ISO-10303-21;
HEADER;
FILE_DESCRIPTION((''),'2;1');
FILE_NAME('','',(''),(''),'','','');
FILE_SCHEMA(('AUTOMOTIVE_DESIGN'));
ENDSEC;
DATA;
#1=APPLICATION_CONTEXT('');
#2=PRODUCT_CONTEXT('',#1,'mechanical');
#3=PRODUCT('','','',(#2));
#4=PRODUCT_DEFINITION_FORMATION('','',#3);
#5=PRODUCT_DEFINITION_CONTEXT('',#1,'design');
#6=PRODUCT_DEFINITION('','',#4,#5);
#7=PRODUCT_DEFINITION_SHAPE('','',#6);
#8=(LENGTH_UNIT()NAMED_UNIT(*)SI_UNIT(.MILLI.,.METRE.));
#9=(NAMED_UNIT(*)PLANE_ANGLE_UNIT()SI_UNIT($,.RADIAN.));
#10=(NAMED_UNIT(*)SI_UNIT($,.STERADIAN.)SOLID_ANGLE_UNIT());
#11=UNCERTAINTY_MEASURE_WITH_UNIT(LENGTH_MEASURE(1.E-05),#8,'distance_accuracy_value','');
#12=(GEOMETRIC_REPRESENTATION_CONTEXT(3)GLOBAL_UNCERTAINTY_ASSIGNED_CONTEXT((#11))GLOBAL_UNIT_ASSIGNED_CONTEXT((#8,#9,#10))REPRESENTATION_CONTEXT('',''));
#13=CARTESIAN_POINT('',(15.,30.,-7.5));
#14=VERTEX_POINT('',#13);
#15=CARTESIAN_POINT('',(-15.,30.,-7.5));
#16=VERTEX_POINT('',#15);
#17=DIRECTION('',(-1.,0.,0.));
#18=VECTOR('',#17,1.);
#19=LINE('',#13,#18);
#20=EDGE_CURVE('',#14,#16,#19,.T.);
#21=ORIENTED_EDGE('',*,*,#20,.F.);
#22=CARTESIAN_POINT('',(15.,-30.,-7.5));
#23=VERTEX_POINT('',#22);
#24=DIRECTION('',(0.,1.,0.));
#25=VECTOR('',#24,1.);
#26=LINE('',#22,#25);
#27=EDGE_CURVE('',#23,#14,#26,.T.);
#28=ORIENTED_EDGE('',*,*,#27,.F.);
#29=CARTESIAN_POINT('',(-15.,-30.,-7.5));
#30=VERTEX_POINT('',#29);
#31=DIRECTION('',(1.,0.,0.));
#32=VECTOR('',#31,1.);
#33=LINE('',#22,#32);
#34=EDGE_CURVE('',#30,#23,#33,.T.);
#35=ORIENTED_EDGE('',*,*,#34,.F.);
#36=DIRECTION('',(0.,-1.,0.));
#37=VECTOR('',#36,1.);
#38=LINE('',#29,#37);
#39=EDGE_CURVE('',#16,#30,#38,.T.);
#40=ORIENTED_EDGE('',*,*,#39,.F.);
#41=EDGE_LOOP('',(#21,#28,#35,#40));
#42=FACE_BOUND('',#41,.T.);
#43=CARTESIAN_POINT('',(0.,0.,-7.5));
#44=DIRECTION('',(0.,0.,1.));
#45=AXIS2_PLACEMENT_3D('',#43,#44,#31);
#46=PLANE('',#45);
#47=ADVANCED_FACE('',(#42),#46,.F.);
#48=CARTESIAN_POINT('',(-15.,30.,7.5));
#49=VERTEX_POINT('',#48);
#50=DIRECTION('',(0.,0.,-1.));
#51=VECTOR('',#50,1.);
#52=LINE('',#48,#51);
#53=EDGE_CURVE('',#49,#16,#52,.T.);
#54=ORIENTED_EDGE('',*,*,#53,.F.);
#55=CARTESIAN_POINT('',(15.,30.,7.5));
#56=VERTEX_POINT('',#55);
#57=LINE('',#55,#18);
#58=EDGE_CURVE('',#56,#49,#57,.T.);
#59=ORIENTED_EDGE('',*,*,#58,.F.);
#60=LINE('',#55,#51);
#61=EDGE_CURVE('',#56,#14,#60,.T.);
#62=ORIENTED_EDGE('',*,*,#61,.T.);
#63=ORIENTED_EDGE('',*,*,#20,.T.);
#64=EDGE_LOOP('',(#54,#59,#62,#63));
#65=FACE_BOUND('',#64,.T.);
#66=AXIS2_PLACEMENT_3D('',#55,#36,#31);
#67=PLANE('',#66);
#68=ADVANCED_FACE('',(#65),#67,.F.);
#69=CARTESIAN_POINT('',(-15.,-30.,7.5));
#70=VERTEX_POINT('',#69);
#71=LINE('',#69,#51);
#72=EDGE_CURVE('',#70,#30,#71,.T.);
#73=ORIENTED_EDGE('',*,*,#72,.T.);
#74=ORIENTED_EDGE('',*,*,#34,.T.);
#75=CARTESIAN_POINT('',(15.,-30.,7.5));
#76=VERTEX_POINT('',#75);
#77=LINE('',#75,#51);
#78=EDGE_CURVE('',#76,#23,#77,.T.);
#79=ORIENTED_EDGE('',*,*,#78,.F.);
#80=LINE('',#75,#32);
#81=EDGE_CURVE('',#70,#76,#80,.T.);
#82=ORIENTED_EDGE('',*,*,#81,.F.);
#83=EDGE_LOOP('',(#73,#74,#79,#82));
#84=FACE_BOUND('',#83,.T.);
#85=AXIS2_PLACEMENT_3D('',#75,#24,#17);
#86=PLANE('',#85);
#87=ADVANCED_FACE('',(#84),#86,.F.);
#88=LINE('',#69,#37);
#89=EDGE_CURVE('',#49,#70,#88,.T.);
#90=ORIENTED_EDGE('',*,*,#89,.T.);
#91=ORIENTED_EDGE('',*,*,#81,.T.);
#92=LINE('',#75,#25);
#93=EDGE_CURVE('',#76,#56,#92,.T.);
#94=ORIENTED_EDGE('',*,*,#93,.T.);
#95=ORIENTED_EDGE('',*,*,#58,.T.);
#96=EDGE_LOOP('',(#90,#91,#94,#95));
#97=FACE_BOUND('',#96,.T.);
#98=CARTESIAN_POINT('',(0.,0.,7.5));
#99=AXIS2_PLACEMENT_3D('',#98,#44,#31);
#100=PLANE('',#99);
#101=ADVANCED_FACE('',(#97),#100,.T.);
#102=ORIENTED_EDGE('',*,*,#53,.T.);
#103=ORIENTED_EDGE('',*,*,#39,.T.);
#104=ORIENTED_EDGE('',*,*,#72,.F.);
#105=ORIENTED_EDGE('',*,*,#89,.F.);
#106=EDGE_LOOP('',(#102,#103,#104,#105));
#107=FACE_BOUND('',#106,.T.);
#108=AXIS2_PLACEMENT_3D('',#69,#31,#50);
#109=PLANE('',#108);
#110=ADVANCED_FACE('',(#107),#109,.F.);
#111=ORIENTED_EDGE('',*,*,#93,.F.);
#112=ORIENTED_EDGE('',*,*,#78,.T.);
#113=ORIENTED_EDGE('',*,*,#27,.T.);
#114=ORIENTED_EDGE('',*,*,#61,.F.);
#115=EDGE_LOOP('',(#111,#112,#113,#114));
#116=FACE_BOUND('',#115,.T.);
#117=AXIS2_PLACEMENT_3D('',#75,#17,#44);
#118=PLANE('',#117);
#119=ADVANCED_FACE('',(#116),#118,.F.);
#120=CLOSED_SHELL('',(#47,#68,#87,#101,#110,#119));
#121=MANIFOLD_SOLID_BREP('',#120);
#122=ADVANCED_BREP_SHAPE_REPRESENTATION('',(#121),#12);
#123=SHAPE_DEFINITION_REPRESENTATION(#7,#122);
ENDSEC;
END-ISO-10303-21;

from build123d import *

# Parameters (mm, degrees)
ESBO_O1_W                = 30
ESBO_O1_H                = 60
RESSALTO_EXTRUS_O1_DEPTH = 7.5


with BuildPart() as part:
    # Esboço1 → Ressalto-extrusão1 (new, symmetric)
    with BuildSketch(Plane.XY):
        Rectangle(ESBO_O1_W, ESBO_O1_H)
    extrude(amount=RESSALTO_EXTRUS_O1_DEPTH, both=True)


solid = part.part
